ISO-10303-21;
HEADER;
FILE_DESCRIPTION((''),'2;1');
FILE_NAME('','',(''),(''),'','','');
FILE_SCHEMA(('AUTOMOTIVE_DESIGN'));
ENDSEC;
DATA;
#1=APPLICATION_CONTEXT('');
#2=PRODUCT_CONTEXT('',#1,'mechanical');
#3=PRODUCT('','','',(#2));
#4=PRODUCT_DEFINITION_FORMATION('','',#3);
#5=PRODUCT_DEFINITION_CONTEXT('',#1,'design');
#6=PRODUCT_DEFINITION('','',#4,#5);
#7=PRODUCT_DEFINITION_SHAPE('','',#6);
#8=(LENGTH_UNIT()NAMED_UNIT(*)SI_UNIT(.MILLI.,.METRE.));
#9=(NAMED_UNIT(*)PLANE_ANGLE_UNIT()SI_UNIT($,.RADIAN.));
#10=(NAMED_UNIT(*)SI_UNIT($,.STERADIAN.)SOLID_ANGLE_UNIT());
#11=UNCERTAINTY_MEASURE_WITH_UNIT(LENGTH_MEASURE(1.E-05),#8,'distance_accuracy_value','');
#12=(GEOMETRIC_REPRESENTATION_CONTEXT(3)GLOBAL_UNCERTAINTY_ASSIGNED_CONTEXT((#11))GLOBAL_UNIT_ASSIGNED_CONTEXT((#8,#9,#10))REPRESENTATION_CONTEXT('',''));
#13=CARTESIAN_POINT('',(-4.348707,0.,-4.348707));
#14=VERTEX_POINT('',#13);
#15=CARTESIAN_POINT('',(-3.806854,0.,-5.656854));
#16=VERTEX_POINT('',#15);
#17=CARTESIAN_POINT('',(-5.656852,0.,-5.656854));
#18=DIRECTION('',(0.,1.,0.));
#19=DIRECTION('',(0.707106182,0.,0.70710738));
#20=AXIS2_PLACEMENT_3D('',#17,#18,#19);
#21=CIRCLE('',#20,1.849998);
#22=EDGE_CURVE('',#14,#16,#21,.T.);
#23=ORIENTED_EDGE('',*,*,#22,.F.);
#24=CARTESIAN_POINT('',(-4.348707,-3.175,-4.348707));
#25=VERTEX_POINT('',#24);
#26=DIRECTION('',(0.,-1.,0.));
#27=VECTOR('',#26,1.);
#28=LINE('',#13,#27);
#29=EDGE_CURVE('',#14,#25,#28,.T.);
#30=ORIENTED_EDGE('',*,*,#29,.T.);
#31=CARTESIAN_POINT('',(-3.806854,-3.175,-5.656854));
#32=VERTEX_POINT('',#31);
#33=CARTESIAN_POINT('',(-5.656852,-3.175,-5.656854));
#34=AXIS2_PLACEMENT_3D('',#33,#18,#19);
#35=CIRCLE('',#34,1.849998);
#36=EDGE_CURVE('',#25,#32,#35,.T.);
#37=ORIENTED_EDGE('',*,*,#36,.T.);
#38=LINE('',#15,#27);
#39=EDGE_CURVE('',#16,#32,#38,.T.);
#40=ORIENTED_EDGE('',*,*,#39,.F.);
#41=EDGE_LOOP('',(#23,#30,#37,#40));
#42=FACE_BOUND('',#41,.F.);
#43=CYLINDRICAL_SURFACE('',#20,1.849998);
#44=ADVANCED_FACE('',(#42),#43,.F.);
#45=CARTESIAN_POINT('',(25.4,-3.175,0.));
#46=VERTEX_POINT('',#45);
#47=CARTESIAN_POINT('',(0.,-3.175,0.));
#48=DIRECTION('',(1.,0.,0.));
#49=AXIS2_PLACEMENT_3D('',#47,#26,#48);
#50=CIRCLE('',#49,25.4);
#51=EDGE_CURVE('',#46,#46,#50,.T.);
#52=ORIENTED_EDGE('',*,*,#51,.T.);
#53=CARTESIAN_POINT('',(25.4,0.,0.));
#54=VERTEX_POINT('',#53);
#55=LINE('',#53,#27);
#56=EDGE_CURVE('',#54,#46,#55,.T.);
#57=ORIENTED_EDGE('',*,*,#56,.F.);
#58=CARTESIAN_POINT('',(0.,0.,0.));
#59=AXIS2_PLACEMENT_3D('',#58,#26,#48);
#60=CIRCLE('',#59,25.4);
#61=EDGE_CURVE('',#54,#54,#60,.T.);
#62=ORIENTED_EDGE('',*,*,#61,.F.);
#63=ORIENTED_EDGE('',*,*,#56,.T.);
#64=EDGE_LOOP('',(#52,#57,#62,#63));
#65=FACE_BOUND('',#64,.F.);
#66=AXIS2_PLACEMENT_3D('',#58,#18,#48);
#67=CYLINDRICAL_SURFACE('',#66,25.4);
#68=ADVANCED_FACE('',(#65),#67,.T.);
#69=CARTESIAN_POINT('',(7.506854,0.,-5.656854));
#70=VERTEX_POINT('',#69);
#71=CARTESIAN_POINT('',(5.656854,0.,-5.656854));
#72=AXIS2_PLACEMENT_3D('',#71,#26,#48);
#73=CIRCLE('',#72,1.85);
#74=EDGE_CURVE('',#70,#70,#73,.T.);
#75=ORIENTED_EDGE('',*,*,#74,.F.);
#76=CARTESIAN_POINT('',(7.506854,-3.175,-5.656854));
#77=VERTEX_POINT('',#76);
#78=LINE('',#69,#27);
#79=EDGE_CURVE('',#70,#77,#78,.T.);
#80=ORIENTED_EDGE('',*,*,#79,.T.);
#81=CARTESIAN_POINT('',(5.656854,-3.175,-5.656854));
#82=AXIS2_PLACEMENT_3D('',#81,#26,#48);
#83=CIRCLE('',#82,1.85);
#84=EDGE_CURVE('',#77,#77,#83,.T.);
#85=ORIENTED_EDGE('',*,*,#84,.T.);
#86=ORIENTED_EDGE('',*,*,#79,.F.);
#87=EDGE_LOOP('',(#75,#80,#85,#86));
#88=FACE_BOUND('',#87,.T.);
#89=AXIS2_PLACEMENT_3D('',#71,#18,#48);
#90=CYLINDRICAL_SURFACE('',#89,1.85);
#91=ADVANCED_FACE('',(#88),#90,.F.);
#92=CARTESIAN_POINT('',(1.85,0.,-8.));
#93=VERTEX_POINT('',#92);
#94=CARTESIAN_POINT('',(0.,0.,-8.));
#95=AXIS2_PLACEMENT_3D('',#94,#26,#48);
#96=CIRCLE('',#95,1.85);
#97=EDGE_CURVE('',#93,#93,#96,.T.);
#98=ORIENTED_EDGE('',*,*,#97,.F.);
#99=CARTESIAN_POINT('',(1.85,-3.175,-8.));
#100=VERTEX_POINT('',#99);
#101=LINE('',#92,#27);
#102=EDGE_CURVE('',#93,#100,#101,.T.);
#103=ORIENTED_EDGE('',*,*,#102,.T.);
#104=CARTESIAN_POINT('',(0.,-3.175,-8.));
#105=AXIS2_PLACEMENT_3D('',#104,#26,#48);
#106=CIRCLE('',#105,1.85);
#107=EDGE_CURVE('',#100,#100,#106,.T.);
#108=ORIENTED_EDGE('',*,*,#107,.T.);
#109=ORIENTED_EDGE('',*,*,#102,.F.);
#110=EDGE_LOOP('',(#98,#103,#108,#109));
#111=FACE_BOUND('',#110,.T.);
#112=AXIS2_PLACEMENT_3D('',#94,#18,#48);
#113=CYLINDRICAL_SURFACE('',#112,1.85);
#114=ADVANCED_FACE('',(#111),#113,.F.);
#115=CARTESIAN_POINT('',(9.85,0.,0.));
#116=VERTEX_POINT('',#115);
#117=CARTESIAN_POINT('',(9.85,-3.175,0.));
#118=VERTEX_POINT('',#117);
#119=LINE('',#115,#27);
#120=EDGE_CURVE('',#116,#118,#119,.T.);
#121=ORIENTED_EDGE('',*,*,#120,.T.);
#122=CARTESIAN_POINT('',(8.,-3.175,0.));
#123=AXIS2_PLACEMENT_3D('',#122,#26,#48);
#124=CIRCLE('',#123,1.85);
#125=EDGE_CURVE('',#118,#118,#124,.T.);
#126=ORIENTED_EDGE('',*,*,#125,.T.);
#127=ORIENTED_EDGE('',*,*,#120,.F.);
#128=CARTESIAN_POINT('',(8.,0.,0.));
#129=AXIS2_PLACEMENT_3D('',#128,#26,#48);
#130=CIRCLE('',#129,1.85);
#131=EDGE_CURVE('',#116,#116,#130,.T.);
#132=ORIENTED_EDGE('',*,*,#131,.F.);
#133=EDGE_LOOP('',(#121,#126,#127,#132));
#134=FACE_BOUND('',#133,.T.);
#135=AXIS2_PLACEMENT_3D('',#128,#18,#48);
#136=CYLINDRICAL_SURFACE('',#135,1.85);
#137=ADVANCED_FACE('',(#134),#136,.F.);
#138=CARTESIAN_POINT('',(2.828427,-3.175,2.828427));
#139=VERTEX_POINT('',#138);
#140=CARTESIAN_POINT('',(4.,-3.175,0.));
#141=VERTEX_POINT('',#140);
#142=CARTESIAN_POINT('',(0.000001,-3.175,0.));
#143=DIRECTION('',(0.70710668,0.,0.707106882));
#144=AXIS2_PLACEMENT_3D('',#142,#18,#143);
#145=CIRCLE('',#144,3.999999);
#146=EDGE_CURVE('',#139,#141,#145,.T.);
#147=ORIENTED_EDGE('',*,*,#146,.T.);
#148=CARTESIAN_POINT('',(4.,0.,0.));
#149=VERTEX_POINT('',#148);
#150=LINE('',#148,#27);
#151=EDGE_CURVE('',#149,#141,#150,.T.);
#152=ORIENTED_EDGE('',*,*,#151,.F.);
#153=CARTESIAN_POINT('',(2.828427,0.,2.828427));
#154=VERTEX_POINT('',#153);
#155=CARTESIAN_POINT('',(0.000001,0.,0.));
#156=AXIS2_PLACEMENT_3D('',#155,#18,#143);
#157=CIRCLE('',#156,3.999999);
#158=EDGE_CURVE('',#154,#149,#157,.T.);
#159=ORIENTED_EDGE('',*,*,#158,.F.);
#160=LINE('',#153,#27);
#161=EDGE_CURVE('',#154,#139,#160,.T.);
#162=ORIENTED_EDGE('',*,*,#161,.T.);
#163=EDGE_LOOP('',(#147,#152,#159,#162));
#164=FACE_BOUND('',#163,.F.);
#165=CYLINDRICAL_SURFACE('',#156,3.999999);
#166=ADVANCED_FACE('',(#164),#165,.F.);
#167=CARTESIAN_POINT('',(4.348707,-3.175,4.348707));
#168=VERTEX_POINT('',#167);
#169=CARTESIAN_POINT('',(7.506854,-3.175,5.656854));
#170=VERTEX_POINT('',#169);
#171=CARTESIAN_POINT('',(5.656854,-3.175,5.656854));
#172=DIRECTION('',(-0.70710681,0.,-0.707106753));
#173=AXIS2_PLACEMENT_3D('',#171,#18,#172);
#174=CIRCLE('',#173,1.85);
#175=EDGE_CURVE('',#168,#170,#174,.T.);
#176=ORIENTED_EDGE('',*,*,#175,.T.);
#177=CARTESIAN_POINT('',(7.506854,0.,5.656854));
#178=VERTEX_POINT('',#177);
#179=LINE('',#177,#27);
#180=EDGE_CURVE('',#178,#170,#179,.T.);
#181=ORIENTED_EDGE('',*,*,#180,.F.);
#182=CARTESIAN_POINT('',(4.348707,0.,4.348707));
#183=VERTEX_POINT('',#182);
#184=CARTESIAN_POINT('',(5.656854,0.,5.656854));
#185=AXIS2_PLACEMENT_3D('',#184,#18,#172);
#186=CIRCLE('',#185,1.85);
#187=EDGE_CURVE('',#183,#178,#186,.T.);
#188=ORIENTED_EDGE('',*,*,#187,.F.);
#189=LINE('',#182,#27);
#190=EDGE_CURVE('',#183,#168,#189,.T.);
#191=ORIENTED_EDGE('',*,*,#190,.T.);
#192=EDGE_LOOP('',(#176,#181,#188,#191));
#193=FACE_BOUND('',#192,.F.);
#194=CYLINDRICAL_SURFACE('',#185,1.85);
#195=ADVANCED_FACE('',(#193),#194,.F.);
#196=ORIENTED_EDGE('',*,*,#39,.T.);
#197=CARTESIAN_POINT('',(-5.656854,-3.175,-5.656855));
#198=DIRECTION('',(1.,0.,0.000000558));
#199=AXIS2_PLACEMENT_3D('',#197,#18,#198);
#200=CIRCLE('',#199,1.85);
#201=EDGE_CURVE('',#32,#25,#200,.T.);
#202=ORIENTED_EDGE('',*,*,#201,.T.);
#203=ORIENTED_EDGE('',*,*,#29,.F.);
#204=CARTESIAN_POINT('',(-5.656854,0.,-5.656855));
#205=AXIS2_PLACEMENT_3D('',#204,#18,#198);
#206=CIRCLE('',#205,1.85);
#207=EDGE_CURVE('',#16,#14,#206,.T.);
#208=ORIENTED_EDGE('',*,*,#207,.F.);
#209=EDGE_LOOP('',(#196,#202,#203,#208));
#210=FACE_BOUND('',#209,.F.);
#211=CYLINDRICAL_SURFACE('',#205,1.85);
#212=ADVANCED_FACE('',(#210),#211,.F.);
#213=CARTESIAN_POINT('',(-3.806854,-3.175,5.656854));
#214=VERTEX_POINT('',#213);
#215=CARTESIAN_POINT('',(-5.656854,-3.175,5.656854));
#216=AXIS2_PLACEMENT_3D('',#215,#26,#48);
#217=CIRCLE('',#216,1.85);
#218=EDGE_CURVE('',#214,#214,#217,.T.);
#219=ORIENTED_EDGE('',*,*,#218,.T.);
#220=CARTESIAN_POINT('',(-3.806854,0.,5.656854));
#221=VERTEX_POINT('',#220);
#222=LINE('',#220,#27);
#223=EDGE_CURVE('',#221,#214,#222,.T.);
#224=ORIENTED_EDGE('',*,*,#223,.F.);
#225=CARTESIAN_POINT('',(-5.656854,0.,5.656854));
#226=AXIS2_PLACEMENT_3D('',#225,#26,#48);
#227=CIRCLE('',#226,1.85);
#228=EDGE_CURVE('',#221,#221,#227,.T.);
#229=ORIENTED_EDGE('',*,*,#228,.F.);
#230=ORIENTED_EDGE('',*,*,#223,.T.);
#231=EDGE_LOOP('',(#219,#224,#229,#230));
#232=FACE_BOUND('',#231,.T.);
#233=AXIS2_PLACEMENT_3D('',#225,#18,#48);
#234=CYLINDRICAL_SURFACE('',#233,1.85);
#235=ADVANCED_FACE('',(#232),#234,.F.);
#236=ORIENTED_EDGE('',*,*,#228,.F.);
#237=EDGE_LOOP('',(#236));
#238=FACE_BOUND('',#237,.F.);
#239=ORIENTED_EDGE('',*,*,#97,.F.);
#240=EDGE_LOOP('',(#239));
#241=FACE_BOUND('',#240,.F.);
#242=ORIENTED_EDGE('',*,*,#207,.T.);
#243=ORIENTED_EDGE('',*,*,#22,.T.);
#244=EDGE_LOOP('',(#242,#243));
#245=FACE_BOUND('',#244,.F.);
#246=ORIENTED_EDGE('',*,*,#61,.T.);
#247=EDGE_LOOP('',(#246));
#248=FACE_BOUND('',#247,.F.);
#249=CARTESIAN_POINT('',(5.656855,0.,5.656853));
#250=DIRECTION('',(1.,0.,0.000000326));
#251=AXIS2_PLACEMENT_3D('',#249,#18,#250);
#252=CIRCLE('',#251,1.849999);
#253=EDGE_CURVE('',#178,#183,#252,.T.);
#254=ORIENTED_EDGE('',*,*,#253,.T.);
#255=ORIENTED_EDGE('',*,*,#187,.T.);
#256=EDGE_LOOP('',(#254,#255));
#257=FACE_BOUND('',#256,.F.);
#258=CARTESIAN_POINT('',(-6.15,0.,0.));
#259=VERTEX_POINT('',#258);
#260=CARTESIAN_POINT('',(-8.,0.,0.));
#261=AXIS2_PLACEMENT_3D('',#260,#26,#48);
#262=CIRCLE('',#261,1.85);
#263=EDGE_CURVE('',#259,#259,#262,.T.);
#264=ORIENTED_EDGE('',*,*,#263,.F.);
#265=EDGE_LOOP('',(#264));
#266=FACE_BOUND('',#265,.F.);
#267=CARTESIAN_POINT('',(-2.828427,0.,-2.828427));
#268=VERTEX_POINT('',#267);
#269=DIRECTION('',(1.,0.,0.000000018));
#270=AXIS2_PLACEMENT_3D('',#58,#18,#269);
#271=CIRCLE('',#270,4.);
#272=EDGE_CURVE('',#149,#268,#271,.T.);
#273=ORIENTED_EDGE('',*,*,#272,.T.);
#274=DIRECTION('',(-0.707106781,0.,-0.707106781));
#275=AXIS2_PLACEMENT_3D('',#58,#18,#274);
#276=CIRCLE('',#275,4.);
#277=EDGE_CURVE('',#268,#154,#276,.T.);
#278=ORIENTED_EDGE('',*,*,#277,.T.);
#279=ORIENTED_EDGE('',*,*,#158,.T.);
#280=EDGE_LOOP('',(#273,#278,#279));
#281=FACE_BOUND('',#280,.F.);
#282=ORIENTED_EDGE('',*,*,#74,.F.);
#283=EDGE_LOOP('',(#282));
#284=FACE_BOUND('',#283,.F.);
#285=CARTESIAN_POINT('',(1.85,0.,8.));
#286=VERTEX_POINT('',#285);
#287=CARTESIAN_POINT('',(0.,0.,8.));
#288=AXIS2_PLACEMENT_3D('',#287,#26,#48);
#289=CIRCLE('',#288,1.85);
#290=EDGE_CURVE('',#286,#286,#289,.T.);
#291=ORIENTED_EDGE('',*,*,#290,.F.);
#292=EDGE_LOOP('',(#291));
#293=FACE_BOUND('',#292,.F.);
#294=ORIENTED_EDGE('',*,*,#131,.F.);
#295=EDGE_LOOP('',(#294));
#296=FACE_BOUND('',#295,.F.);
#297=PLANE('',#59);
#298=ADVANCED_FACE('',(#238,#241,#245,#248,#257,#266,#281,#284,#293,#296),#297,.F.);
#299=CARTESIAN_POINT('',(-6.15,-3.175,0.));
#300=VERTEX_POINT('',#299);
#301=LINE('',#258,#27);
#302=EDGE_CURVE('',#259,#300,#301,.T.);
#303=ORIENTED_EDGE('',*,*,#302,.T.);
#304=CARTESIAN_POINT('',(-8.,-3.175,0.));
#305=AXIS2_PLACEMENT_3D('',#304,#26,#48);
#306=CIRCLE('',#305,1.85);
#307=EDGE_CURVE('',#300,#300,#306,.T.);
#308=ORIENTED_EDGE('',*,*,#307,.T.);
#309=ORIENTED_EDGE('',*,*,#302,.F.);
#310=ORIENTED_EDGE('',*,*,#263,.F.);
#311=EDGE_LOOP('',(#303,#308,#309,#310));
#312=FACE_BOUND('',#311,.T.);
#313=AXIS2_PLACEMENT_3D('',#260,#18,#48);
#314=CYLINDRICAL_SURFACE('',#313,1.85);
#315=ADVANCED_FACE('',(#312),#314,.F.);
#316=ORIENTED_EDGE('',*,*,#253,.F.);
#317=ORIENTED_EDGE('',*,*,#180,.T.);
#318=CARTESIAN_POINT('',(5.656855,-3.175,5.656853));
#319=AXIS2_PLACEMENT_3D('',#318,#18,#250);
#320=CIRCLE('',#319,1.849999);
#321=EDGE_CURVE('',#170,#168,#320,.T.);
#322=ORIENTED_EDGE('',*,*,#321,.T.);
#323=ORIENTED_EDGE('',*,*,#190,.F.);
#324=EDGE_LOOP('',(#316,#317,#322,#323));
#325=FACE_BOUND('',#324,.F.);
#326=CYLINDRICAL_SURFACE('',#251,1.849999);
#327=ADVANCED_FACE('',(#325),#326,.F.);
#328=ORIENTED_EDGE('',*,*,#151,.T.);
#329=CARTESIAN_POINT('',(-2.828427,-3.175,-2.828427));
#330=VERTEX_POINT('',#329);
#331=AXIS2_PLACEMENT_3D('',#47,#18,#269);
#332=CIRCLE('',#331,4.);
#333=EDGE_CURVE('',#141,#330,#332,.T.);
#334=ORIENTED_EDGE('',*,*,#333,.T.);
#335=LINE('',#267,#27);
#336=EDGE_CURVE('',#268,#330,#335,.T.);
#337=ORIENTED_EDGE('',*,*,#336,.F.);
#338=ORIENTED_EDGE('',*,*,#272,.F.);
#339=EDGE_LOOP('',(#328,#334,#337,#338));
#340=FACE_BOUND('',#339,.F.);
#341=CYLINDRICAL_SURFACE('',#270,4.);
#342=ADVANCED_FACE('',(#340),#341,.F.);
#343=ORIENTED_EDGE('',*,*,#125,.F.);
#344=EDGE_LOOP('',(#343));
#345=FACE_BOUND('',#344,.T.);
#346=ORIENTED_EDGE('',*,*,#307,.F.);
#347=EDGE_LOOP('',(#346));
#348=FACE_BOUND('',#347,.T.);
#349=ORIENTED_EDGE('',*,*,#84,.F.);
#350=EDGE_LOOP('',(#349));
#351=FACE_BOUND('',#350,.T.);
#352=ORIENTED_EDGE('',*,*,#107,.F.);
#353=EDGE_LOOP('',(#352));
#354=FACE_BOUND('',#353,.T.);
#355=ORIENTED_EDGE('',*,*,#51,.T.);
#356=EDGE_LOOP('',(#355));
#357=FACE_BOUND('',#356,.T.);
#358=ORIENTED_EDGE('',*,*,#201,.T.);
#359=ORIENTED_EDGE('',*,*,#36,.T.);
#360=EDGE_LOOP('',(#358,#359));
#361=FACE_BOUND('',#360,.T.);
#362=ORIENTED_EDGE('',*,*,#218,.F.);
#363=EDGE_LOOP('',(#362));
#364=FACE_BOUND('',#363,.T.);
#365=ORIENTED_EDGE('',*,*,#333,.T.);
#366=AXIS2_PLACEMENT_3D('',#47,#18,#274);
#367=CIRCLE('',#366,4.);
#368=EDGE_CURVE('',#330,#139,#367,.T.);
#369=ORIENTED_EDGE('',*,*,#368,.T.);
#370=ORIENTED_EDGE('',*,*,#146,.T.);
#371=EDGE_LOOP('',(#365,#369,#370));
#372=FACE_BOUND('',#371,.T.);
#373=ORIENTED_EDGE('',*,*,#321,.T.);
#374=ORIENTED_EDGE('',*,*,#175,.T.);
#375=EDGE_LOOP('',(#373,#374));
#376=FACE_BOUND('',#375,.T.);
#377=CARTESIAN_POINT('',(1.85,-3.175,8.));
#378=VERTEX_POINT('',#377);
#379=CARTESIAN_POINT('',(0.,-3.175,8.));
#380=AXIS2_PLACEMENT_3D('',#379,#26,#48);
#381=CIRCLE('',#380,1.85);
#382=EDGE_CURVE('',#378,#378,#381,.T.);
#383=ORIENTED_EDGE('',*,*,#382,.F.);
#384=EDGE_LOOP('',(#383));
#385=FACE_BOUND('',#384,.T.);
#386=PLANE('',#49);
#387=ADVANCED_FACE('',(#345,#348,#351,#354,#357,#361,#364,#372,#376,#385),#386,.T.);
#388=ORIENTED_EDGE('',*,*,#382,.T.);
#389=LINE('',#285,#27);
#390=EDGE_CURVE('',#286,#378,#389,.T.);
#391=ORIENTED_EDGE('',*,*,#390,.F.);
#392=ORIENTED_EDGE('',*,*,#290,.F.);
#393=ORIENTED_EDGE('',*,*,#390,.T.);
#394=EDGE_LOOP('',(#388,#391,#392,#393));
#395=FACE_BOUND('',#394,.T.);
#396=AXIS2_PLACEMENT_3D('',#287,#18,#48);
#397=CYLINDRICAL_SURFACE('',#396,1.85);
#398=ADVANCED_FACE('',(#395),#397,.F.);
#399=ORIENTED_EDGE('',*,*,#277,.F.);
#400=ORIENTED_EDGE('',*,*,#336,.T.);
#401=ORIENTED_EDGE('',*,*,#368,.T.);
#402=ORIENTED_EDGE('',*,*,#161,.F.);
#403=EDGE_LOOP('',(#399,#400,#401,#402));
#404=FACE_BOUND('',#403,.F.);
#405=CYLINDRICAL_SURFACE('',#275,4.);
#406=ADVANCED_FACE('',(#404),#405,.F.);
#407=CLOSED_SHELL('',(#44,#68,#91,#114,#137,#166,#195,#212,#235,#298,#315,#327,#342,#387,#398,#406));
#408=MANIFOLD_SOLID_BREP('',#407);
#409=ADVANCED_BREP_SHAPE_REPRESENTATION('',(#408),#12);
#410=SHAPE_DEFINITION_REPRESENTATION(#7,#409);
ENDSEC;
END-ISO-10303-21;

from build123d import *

# Parameters (mm, degrees)
F0_R     = 25.4
F0_R_2   = 1.85
F1_DEPTH = 3.175


with BuildPart() as f1:
    # F0 (on Front) → F1 (new body)
    with BuildSketch(Plane.XZ):
        Circle(F0_R)
        with Locations((0, -8)):
            Circle(F0_R_2, mode=Mode.SUBTRACT)
        with Locations((-8, 0)):
            Circle(F0_R_2, mode=Mode.SUBTRACT)
        with BuildLine():
            ThreePointArc((-3.806854, -5.656854), (-7.366031, -6.364819), (-4.348707, -4.348707))
            ThreePointArc((-4.348707, -4.348707), (-3.947677, -4.94889), (-3.806854, -5.656854))
        make_face(mode=Mode.SUBTRACT)
        with BuildLine():
            ThreePointArc((2.828427, 2.828427), (3.695518, 1.530734), (4, 0))
            ThreePointArc((4, 0), (1.530734, -3.695518), (-2.828427, -2.828427))
            ThreePointArc((-2.828427, -2.828427), (-2.828427, 2.828427), (2.828427, 2.828427))
        make_face(mode=Mode.SUBTRACT)
        with Locations((5.656854, -5.656854)):
            Circle(F0_R_2, mode=Mode.SUBTRACT)
        with Locations((8, 0)):
            Circle(F0_R_2, mode=Mode.SUBTRACT)
        with Locations((-5.656854, 5.656854)):
            Circle(F0_R_2, mode=Mode.SUBTRACT)
        with Locations((0, 8)):
            Circle(F0_R_2, mode=Mode.SUBTRACT)
        with BuildLine():
            ThreePointArc((7.506854, 5.656854), (6.364819, 3.947677), (4.348707, 4.348707))
            ThreePointArc((4.348707, 4.348707), (4.94889, 7.366031), (7.506854, 5.656854))
        make_face(mode=Mode.SUBTRACT)
    extrude(amount=F1_DEPTH)


solid = f1.part
